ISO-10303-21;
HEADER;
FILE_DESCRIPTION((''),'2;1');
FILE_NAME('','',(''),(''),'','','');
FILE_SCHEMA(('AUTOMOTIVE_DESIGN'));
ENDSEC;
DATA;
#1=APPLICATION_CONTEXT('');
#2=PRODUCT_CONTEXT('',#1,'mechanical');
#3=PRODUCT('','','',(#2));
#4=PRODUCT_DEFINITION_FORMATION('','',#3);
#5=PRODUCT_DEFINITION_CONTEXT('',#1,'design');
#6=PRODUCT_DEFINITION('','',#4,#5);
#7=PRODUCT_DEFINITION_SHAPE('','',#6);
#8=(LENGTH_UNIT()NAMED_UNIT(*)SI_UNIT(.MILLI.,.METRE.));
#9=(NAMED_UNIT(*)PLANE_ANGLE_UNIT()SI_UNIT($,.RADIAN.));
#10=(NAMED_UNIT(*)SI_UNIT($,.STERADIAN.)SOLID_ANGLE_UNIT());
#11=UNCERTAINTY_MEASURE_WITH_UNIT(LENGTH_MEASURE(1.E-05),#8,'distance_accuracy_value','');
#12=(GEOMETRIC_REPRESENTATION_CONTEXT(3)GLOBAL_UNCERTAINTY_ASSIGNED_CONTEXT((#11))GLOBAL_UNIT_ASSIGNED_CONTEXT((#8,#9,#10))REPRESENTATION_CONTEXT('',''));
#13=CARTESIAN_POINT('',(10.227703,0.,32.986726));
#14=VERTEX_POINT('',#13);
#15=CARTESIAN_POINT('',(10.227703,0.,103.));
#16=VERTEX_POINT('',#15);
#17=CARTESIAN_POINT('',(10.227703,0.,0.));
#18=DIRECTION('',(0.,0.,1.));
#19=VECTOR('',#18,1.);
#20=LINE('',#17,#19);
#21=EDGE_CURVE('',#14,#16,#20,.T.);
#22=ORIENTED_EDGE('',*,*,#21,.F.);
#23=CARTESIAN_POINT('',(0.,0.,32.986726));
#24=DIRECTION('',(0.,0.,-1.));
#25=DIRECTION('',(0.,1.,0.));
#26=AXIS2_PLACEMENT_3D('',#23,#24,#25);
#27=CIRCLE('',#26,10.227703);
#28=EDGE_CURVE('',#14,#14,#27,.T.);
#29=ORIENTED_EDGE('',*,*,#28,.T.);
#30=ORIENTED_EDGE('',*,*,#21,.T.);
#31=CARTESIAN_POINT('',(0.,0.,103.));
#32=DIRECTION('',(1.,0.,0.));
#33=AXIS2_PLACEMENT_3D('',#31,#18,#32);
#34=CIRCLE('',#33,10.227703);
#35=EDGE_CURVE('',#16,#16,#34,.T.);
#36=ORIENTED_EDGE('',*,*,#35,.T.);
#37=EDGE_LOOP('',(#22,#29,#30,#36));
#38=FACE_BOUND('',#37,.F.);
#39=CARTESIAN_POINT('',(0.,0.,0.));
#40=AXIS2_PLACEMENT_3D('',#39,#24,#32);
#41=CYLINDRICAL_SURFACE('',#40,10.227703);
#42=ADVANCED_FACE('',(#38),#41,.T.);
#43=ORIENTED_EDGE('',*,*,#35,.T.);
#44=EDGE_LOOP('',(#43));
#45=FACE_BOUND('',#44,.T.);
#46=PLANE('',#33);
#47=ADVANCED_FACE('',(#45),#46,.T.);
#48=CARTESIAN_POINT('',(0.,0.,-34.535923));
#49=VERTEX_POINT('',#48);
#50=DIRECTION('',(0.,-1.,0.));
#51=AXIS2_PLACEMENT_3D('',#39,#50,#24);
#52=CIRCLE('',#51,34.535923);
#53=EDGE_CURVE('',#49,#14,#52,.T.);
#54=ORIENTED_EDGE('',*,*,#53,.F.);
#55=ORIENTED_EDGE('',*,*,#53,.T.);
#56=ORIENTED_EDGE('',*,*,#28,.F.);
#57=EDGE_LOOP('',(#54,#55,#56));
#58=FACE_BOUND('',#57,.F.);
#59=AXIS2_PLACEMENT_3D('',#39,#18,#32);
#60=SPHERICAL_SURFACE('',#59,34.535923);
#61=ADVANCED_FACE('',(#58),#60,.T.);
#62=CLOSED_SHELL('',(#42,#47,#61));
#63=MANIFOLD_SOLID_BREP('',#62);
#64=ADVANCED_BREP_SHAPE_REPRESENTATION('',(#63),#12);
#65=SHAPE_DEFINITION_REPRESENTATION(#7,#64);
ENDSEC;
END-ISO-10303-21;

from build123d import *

# Parameters (mm, degrees)
F2_R     = 10.227703
F3_DEPTH = 103


with BuildPart() as f1:
    # F0 (on Front) → F1 (revolve)
    with BuildSketch(Plane.XZ):
        with BuildLine():
            Line((0, 34.535923), (0, -34.535923))
            ThreePointArc((0, -34.535923), (34.535923, 0), (0, 34.535923))
        make_face()
    revolve(axis=Axis((0, 0, 0), (0, 0, -1)))

    # F2 (on Top) → F3 (join)
    with BuildSketch(Plane.XY):
        Circle(F2_R)
    extrude(amount=F3_DEPTH)


solid = f1.part
